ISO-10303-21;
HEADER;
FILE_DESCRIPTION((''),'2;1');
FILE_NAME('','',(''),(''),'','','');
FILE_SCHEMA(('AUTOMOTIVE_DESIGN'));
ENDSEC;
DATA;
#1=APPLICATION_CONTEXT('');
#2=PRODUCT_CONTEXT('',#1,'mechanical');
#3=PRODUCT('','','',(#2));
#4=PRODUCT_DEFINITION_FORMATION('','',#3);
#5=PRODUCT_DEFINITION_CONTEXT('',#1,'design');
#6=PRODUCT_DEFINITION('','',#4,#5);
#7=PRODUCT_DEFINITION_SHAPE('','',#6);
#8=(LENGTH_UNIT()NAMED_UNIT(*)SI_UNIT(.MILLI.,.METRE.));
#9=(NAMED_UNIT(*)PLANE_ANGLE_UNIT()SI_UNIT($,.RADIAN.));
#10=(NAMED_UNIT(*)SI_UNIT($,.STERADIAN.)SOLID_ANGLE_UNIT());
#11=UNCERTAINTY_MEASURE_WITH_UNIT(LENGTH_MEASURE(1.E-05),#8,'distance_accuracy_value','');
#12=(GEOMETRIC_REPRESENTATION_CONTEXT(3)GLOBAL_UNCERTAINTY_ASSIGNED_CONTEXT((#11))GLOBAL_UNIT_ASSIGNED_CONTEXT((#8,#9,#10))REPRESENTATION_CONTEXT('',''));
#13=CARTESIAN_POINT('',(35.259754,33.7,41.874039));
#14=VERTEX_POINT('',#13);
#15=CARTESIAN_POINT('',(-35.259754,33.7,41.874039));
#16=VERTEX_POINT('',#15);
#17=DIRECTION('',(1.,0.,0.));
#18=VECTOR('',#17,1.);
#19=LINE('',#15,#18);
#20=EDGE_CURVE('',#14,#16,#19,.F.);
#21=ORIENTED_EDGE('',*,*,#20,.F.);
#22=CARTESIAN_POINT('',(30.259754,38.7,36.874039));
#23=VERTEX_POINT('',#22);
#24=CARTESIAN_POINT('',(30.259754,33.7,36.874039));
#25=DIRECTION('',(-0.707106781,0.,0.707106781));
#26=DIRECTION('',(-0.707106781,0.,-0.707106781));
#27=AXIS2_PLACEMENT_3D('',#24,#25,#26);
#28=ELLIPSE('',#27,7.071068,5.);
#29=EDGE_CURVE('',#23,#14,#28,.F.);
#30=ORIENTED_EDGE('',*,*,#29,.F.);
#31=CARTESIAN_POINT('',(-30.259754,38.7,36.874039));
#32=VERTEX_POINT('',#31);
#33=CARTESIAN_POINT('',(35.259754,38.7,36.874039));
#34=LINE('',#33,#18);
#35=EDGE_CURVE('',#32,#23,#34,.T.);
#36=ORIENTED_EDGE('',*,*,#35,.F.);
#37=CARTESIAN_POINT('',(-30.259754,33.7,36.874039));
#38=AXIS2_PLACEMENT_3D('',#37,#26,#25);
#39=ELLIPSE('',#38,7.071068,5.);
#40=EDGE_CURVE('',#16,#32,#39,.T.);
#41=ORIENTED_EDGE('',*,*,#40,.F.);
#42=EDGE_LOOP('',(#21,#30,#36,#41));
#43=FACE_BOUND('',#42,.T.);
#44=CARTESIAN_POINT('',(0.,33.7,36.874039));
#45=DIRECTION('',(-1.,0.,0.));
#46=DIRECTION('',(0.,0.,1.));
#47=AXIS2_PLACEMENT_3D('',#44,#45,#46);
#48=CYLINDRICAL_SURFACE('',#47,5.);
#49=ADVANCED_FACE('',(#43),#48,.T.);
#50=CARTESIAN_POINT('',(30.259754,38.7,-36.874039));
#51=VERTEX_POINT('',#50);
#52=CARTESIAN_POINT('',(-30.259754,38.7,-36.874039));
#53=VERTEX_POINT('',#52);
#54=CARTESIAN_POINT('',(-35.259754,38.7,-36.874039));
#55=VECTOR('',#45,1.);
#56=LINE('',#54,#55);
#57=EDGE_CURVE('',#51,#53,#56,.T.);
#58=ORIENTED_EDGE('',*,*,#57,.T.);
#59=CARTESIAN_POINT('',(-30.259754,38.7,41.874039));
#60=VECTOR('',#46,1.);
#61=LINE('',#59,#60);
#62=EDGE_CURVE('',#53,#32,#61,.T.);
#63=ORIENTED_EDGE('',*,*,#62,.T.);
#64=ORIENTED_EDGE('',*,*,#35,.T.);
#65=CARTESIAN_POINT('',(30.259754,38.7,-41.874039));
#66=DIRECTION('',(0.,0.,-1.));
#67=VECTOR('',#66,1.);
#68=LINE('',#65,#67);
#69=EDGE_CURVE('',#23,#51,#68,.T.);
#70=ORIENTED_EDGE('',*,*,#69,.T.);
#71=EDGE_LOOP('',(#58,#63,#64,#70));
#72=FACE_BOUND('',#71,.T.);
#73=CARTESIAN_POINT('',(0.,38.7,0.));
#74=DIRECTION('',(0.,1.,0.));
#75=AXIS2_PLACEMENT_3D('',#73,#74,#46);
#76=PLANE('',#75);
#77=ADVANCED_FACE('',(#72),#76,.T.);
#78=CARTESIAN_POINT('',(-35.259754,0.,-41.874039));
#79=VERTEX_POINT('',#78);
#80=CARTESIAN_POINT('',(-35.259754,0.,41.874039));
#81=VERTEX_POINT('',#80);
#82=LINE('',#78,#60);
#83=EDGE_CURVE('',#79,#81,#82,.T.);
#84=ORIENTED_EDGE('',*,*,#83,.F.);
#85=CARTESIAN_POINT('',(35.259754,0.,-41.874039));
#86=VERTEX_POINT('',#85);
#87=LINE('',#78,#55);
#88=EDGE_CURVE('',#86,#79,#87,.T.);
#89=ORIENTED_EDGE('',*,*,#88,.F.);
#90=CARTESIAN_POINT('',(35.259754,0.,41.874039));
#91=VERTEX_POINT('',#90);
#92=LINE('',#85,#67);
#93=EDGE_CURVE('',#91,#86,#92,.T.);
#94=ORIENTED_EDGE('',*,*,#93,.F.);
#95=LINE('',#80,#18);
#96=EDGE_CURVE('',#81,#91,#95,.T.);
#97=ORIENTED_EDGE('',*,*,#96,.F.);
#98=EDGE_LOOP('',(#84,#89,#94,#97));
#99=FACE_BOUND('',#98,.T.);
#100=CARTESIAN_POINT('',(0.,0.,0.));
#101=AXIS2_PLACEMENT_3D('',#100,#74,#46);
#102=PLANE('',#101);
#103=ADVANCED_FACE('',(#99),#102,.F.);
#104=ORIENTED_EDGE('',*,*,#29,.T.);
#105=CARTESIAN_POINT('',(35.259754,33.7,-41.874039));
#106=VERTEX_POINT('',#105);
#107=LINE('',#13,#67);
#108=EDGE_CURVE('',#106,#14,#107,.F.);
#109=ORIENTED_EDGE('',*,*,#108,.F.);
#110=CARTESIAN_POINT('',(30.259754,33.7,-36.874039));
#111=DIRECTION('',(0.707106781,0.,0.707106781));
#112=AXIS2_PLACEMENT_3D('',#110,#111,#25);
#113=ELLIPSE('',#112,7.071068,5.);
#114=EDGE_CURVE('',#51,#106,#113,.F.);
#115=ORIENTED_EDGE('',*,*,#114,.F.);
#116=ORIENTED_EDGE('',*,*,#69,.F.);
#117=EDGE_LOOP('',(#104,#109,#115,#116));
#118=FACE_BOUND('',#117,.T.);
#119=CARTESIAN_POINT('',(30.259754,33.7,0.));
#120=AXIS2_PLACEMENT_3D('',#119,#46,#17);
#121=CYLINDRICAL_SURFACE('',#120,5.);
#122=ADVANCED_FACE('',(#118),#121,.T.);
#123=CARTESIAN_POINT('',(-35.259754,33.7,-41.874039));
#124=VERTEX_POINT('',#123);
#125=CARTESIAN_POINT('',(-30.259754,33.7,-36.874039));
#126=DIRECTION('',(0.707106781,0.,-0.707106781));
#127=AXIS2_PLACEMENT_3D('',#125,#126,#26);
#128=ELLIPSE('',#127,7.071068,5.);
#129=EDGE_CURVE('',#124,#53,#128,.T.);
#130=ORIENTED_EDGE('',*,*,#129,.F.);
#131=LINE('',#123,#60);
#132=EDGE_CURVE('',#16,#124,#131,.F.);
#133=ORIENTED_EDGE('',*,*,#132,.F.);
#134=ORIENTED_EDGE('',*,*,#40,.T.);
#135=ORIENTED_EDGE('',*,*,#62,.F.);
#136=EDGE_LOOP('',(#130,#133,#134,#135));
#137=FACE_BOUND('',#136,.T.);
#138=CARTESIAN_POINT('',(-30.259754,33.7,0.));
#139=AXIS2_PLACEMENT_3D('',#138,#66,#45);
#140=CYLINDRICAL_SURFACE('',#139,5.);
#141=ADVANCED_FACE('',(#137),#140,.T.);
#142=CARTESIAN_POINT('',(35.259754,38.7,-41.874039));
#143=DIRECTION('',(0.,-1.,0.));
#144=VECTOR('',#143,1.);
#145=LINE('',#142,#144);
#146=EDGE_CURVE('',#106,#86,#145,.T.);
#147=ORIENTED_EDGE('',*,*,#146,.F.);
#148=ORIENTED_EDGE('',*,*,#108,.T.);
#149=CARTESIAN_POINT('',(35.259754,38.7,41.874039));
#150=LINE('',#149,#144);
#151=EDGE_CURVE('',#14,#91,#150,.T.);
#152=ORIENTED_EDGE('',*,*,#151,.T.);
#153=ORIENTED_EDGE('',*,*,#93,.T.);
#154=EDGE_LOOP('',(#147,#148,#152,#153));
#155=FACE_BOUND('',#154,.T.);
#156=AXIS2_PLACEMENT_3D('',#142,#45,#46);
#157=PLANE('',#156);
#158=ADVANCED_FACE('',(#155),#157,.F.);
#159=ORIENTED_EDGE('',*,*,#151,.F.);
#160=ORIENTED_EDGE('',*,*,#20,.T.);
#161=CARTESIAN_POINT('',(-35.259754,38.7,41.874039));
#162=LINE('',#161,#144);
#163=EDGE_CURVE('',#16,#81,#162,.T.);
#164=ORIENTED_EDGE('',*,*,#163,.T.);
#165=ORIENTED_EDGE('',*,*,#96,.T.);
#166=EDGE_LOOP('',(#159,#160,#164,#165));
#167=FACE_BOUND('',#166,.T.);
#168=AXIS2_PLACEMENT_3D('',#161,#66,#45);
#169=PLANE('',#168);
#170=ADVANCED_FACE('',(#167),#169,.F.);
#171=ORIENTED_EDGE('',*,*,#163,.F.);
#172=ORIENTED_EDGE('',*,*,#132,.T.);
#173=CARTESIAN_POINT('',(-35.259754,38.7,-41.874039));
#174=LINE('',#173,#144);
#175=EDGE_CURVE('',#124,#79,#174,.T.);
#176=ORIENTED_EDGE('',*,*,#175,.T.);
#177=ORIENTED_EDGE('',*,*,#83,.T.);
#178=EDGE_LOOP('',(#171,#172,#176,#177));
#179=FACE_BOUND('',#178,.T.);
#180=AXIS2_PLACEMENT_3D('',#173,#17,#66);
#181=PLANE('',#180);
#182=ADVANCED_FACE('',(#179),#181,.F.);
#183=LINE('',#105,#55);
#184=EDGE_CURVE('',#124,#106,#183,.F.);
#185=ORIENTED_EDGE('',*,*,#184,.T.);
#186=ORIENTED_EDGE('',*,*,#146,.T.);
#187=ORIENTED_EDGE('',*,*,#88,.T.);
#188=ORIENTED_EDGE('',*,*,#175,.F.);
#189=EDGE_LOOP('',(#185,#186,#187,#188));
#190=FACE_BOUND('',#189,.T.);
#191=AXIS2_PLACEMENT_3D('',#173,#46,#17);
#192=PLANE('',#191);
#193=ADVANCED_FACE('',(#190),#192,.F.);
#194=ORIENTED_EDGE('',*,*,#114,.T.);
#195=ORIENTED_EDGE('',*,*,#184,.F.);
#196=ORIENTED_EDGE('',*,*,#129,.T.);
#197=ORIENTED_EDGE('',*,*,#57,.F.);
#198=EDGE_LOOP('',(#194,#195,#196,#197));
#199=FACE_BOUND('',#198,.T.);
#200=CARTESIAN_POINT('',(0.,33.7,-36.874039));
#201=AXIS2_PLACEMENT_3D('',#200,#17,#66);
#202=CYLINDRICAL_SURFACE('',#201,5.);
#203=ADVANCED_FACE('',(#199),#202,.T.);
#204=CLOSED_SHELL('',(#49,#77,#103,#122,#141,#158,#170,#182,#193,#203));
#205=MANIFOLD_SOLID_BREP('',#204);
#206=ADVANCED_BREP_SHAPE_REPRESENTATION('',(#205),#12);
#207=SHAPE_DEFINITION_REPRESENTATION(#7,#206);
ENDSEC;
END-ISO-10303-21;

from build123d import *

# Parameters (mm, degrees)
SKETCH2_W           = 70.519509
SKETCH2_H           = 83.748079
BOSS_EXTRUDE1_DEPTH = 38.7
FILLET1_R           = 5


with BuildPart() as part:
    # Sketch2 → Boss-Extrude1 (new body)
    with BuildSketch(Plane(origin=(0, 0, 0), x_dir=(1, 0, 0), z_dir=(0, 1, 0))):
        Rectangle(SKETCH2_W, SKETCH2_H)
    extrude(amount=BOSS_EXTRUDE1_DEPTH)

    # Fillet1
    fillet1_edges = [part.edges().sort_by_distance(p)[0] for p in [
        (35.2597545, 38.7, 0),
        (0, 38.7, -41.8740395),
        (-35.2597545, 38.7, 0),
        (0, 38.7, 41.8740395),
    ]]
    fillet(fillet1_edges, radius=FILLET1_R)


solid = part.part
